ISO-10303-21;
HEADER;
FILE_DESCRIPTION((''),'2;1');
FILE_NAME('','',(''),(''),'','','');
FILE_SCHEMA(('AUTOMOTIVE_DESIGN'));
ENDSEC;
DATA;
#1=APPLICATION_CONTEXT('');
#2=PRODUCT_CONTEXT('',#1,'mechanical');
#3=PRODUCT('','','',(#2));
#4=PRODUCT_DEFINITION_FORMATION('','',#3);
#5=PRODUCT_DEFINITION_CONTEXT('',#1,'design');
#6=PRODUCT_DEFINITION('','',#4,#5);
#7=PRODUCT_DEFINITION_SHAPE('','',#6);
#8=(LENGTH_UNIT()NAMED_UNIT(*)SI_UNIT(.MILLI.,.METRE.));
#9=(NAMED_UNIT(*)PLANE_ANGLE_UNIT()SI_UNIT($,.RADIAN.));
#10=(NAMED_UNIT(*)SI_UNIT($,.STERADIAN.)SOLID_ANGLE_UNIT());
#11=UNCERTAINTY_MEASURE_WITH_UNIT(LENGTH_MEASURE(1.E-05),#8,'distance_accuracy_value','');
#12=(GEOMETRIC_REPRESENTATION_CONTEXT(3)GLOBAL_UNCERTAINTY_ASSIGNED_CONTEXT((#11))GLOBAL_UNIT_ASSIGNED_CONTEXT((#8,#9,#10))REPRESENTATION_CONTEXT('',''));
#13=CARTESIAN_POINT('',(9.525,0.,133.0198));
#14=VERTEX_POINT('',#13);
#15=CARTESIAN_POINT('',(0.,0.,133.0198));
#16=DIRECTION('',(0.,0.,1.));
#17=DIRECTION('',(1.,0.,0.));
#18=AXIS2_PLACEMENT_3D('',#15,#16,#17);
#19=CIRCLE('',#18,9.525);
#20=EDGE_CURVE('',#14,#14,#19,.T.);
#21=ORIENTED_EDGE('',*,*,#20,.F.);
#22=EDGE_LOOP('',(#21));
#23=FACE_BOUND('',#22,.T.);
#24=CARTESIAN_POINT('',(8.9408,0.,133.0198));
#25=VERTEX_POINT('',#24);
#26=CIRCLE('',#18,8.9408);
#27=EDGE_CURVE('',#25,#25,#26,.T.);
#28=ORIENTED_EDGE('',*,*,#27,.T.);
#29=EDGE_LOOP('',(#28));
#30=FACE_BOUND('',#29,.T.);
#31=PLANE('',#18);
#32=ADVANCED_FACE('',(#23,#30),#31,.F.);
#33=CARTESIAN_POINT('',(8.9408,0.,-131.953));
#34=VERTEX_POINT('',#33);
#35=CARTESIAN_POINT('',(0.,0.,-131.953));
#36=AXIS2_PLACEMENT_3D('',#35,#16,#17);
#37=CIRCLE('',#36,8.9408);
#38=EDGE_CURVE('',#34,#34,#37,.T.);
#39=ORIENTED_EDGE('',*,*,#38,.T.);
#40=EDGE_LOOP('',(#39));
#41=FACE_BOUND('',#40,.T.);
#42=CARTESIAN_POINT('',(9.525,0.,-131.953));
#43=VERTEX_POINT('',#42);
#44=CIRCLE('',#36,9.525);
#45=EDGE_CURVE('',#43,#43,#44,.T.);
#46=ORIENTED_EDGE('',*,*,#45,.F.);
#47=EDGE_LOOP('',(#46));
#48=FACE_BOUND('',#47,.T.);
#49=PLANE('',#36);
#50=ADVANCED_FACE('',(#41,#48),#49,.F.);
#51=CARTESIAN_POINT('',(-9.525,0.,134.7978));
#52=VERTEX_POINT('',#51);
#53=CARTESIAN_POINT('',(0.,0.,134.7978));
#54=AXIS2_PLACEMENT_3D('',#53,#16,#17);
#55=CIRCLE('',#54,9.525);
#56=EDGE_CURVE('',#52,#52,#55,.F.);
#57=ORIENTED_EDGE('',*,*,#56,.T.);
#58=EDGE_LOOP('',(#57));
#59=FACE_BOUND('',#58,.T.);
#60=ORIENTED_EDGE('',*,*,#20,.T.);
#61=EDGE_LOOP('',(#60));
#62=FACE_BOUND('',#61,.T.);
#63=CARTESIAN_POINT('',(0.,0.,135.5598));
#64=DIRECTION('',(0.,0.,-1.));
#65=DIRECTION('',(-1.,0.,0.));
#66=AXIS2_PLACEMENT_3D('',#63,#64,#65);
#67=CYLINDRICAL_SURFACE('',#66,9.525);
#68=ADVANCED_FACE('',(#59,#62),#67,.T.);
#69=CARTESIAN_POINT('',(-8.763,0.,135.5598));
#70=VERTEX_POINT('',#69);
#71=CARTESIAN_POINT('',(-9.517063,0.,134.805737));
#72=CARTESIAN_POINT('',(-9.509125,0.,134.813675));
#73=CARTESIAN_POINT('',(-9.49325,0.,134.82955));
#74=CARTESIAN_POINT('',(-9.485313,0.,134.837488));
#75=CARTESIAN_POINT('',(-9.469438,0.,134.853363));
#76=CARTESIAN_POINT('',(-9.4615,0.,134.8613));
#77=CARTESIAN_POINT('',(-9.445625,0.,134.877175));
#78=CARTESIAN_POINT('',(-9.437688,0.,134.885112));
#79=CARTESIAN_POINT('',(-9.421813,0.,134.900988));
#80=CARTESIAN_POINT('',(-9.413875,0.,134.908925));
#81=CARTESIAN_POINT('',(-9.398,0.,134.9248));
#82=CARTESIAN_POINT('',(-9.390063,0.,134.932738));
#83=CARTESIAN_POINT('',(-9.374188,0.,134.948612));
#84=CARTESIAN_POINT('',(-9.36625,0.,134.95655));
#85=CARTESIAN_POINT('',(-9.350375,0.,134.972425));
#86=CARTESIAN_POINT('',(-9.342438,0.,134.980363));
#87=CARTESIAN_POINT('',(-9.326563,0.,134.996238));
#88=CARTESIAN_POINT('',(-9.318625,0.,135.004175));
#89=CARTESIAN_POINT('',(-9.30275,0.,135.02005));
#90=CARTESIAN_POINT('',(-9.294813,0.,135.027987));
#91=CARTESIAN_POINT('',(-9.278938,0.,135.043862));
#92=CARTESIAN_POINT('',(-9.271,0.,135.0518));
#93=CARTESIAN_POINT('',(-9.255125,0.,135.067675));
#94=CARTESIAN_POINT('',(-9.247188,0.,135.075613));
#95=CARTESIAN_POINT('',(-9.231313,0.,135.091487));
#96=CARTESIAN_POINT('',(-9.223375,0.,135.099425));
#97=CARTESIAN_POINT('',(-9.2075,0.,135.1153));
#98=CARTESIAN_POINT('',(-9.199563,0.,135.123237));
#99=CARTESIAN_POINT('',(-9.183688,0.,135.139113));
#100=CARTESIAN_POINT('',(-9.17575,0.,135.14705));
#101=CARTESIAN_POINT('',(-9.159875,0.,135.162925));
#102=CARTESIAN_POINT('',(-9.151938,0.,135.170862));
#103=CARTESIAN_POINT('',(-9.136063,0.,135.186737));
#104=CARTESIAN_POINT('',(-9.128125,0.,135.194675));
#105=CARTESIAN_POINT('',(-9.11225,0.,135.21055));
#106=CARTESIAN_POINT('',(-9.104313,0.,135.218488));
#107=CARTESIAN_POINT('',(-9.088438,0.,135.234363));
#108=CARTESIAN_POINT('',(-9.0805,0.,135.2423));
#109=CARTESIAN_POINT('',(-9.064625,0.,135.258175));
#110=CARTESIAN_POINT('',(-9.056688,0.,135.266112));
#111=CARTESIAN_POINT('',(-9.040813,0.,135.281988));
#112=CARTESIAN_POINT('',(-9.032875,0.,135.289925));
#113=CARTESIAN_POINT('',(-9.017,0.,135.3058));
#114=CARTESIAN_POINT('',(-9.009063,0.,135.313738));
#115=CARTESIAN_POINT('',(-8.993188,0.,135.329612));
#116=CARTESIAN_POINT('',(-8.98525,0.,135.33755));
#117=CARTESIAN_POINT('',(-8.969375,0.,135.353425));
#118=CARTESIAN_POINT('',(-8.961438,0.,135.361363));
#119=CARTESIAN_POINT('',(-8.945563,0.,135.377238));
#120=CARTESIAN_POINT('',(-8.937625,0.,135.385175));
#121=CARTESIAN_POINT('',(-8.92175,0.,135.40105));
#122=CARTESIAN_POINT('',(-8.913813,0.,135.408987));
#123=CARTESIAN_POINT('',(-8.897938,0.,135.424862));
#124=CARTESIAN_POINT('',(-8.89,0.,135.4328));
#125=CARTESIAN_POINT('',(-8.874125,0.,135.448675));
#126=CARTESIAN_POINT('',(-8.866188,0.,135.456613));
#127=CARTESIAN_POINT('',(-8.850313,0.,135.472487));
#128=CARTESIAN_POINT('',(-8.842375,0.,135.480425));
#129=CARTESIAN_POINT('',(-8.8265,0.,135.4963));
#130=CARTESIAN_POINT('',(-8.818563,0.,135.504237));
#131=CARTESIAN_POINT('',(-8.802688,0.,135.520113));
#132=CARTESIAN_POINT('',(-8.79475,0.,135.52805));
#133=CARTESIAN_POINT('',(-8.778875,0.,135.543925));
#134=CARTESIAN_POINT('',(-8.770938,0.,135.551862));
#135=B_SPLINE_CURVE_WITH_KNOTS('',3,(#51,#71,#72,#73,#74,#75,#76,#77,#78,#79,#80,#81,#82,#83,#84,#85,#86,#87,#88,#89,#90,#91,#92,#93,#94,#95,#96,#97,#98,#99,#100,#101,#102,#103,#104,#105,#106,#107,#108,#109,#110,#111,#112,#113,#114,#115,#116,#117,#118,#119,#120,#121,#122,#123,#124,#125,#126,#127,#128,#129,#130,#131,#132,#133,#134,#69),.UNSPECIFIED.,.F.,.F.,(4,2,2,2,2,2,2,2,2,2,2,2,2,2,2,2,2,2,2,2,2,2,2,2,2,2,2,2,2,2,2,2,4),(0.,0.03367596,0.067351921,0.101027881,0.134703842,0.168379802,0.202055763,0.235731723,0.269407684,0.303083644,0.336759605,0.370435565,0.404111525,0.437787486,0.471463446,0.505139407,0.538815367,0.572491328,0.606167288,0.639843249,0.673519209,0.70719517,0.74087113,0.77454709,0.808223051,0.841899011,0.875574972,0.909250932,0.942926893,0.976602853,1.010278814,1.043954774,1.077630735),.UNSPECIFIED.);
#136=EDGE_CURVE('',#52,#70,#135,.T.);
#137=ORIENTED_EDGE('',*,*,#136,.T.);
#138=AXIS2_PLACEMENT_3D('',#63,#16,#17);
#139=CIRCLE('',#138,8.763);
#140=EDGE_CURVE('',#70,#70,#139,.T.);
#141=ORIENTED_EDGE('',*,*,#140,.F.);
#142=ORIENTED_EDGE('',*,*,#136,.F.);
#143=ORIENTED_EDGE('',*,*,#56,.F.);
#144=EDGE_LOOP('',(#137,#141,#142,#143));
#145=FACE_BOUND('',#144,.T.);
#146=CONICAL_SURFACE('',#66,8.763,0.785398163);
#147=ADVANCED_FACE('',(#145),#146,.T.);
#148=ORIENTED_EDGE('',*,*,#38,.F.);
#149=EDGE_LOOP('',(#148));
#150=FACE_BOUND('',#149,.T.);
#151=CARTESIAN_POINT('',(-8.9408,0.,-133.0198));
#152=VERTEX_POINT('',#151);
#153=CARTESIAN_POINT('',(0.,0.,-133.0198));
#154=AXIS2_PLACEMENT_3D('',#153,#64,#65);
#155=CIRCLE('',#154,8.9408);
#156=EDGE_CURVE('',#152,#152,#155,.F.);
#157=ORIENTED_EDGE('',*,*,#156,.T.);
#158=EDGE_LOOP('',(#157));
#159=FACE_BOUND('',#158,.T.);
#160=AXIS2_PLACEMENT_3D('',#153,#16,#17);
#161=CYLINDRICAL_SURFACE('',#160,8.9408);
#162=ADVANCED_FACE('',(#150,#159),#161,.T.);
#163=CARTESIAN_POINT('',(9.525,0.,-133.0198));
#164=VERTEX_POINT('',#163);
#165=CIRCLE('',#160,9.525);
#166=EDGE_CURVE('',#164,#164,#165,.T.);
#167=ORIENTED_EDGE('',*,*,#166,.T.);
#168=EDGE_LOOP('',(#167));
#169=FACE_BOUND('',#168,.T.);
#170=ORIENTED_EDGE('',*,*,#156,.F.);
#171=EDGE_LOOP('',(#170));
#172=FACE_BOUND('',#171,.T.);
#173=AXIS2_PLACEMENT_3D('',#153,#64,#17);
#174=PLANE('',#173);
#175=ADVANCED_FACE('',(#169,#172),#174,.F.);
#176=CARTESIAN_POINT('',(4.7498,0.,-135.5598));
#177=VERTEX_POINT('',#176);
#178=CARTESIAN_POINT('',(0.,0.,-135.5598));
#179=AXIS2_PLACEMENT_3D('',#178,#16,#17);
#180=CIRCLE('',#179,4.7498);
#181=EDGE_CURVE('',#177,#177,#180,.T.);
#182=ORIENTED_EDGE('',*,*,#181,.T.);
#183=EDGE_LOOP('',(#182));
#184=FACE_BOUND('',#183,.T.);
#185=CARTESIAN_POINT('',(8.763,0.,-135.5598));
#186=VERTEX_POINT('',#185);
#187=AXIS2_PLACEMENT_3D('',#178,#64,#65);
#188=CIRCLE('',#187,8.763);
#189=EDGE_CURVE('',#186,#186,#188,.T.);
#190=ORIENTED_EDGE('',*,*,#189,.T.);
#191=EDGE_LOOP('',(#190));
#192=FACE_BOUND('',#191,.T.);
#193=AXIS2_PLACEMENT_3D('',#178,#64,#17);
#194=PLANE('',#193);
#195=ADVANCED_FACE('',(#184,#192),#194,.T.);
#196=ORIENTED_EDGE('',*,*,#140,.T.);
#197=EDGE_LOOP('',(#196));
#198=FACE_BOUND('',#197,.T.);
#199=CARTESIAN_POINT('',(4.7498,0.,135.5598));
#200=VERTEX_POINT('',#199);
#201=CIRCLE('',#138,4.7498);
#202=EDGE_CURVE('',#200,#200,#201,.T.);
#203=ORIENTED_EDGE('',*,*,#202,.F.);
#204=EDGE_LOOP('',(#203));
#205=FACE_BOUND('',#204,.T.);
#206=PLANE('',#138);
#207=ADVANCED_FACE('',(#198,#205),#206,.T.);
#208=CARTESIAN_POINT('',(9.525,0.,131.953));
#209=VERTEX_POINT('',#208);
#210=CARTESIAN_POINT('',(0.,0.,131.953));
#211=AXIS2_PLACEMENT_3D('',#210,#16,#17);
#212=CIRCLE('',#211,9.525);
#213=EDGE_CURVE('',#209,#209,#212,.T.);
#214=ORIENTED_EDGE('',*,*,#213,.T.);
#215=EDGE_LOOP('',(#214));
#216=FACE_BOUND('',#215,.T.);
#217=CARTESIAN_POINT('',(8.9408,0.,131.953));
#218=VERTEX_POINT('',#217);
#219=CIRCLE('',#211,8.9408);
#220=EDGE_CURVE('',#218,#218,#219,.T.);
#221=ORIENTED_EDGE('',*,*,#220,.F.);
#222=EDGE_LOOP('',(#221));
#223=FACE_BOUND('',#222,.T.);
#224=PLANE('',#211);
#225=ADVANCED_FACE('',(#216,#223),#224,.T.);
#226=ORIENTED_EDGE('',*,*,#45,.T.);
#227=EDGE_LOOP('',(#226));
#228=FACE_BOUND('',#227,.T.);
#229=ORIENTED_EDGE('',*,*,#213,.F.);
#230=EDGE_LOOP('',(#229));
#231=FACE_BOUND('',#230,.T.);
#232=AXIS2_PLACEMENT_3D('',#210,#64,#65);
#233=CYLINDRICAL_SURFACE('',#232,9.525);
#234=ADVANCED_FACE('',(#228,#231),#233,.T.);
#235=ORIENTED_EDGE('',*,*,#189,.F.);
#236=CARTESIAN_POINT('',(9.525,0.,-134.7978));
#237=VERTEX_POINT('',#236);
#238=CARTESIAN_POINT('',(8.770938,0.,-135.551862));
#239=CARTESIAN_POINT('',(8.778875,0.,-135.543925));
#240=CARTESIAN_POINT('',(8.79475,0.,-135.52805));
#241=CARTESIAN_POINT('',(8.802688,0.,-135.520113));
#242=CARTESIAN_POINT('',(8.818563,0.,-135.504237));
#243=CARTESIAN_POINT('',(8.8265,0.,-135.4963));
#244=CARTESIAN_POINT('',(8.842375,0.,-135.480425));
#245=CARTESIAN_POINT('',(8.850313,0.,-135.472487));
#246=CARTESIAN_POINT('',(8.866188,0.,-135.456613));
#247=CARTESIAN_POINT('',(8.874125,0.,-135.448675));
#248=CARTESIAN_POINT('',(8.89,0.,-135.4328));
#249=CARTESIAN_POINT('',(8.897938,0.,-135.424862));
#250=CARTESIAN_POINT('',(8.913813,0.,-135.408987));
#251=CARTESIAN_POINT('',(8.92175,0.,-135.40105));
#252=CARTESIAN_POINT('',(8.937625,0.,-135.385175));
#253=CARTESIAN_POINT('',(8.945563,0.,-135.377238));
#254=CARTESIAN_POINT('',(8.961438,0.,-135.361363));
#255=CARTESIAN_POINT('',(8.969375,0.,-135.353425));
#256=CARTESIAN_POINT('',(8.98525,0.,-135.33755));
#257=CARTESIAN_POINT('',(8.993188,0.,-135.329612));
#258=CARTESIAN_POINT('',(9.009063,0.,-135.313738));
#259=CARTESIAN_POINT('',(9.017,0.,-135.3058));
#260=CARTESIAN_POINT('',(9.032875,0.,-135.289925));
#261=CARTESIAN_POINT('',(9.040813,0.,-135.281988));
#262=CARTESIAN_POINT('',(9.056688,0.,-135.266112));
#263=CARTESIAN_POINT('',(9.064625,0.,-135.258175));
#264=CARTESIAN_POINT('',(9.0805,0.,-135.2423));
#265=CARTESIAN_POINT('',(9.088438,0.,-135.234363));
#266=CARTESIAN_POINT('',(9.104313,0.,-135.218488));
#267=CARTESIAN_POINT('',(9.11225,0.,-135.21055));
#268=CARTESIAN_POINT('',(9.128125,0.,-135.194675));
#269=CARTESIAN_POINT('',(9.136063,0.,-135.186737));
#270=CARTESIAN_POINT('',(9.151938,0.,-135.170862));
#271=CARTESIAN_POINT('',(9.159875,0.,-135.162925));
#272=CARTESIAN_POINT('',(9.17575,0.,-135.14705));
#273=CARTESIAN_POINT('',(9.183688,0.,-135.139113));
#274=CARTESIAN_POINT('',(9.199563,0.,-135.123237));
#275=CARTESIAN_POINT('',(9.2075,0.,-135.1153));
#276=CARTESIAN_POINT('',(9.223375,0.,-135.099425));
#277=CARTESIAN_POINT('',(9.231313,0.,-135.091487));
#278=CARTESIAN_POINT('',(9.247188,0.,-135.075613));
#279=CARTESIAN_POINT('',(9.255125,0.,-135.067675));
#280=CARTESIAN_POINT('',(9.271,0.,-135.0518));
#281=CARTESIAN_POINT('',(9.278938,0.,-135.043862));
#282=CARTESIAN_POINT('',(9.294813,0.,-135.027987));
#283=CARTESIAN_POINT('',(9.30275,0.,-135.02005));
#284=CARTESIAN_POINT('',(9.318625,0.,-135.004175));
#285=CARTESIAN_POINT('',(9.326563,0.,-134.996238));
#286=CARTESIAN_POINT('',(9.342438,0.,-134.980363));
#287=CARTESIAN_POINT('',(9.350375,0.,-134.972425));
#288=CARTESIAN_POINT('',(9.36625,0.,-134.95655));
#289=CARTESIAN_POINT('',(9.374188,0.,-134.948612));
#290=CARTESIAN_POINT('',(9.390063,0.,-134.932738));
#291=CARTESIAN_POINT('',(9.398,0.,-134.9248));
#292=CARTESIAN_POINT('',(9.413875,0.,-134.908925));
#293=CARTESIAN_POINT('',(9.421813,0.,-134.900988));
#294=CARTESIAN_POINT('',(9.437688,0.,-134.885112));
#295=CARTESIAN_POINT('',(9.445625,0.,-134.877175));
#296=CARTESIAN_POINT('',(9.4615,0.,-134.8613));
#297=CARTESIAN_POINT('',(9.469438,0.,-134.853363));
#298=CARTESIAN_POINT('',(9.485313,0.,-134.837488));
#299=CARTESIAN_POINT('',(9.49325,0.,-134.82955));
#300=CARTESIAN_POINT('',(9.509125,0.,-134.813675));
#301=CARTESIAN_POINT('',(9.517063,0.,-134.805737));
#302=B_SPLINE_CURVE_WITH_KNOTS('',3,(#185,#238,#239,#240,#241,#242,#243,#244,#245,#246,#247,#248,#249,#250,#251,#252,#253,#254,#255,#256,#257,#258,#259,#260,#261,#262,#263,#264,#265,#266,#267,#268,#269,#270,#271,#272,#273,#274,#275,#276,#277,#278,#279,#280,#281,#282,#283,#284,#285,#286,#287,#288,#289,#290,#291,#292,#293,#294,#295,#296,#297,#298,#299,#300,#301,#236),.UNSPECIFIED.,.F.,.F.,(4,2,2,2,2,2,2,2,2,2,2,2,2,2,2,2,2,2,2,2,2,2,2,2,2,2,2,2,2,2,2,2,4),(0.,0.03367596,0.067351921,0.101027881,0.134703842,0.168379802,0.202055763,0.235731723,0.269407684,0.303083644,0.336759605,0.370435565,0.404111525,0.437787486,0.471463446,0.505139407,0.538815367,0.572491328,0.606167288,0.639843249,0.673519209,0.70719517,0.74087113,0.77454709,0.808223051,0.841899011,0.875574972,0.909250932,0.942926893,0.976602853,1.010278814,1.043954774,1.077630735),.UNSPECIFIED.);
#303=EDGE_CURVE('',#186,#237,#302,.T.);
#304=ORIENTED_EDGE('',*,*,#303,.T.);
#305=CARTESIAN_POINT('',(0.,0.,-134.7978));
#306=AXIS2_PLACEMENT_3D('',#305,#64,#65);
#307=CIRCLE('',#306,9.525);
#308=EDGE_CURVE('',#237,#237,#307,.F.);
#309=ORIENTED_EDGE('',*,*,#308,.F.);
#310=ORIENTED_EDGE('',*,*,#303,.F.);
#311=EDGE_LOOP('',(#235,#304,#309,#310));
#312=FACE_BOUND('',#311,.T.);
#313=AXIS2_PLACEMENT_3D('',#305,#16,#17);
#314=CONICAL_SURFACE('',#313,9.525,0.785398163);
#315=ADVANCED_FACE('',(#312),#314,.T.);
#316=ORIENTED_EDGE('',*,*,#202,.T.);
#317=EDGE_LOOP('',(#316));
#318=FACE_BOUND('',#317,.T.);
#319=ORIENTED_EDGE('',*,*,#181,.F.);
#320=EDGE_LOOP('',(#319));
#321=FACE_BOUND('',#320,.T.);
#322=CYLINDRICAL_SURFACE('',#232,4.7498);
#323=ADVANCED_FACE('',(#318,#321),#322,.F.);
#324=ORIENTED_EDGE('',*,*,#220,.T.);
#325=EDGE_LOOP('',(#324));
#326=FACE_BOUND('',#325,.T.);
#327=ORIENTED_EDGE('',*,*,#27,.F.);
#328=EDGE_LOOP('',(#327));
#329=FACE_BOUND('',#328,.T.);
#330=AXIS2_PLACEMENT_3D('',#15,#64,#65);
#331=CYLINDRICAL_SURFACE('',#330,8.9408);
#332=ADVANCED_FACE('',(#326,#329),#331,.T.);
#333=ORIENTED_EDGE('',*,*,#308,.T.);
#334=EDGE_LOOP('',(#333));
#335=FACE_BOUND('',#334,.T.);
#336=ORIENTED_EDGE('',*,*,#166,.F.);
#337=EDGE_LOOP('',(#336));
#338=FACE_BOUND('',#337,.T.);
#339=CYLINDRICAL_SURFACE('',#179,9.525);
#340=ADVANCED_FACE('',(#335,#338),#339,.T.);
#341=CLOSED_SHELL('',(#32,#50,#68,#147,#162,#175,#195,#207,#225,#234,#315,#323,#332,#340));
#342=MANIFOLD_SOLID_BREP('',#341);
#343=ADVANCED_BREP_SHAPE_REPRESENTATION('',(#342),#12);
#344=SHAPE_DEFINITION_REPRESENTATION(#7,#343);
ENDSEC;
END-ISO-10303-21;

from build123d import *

# Parameters (mm, degrees)
SKETCH1_R                = 9.525
SKETCH1_R_2              = 4.7498
BOSS_EXTRUDE1_DEPTH      = 131.953
SKETCH2_R                = 8.9408
SKETCH2_R_2              = 4.7498
BOSS_EXTRUDE2_DEPTH      = 1.0668
SKETCH4_R                = 9.525
SKETCH4_R_2              = 4.7498
BOSS_EXTRUDE4_DEPTH      = 2.54
CHAMFER1_SIZE            = 0.762
CHAMFER1_OF_MIRROR1_SIZE = 0.762


with BuildPart() as part:
    # Sketch1 → Boss-Extrude1 (new, symmetric)
    with BuildSketch(Plane.XY):
        Circle(SKETCH1_R)
        Circle(SKETCH1_R_2, mode=Mode.SUBTRACT)
    extrude(amount=BOSS_EXTRUDE1_DEPTH, both=True)

    # Sketch2 → Boss-Extrude2 (add)
    with BuildSketch(Plane.XY.offset(131.953)):
        Circle(SKETCH2_R)
        Circle(SKETCH2_R_2, mode=Mode.SUBTRACT)
    boss_extrude2 = extrude(amount=BOSS_EXTRUDE2_DEPTH)

    # Sketch4 → Boss-Extrude4 (add)
    with BuildSketch(Plane.XY.offset(133.0198)):
        Circle(SKETCH4_R)
        Circle(SKETCH4_R_2, mode=Mode.SUBTRACT)
    boss_extrude4 = extrude(amount=BOSS_EXTRUDE4_DEPTH)

    # Chamfer1
    chamfer1_edges = [part.edges().sort_by_distance(p)[0] for p in [
        (-9.525, 0, 135.5598),
    ]]
    chamfer(chamfer1_edges, length=CHAMFER1_SIZE)

    # Mirror1: Boss-Extrude2, Boss-Extrude4 across plane
    add(boss_extrude2.mirror(Plane.XY))
    add(boss_extrude4.mirror(Plane.XY))

    # Chamfer1 of Mirror1
    chamfer1_of_mirror1_edges = [part.edges().sort_by_distance(p)[0] for p in [
        (-9.525, 0, -135.5598),
    ]]
    chamfer(chamfer1_of_mirror1_edges, length=CHAMFER1_OF_MIRROR1_SIZE)


solid = part.part
